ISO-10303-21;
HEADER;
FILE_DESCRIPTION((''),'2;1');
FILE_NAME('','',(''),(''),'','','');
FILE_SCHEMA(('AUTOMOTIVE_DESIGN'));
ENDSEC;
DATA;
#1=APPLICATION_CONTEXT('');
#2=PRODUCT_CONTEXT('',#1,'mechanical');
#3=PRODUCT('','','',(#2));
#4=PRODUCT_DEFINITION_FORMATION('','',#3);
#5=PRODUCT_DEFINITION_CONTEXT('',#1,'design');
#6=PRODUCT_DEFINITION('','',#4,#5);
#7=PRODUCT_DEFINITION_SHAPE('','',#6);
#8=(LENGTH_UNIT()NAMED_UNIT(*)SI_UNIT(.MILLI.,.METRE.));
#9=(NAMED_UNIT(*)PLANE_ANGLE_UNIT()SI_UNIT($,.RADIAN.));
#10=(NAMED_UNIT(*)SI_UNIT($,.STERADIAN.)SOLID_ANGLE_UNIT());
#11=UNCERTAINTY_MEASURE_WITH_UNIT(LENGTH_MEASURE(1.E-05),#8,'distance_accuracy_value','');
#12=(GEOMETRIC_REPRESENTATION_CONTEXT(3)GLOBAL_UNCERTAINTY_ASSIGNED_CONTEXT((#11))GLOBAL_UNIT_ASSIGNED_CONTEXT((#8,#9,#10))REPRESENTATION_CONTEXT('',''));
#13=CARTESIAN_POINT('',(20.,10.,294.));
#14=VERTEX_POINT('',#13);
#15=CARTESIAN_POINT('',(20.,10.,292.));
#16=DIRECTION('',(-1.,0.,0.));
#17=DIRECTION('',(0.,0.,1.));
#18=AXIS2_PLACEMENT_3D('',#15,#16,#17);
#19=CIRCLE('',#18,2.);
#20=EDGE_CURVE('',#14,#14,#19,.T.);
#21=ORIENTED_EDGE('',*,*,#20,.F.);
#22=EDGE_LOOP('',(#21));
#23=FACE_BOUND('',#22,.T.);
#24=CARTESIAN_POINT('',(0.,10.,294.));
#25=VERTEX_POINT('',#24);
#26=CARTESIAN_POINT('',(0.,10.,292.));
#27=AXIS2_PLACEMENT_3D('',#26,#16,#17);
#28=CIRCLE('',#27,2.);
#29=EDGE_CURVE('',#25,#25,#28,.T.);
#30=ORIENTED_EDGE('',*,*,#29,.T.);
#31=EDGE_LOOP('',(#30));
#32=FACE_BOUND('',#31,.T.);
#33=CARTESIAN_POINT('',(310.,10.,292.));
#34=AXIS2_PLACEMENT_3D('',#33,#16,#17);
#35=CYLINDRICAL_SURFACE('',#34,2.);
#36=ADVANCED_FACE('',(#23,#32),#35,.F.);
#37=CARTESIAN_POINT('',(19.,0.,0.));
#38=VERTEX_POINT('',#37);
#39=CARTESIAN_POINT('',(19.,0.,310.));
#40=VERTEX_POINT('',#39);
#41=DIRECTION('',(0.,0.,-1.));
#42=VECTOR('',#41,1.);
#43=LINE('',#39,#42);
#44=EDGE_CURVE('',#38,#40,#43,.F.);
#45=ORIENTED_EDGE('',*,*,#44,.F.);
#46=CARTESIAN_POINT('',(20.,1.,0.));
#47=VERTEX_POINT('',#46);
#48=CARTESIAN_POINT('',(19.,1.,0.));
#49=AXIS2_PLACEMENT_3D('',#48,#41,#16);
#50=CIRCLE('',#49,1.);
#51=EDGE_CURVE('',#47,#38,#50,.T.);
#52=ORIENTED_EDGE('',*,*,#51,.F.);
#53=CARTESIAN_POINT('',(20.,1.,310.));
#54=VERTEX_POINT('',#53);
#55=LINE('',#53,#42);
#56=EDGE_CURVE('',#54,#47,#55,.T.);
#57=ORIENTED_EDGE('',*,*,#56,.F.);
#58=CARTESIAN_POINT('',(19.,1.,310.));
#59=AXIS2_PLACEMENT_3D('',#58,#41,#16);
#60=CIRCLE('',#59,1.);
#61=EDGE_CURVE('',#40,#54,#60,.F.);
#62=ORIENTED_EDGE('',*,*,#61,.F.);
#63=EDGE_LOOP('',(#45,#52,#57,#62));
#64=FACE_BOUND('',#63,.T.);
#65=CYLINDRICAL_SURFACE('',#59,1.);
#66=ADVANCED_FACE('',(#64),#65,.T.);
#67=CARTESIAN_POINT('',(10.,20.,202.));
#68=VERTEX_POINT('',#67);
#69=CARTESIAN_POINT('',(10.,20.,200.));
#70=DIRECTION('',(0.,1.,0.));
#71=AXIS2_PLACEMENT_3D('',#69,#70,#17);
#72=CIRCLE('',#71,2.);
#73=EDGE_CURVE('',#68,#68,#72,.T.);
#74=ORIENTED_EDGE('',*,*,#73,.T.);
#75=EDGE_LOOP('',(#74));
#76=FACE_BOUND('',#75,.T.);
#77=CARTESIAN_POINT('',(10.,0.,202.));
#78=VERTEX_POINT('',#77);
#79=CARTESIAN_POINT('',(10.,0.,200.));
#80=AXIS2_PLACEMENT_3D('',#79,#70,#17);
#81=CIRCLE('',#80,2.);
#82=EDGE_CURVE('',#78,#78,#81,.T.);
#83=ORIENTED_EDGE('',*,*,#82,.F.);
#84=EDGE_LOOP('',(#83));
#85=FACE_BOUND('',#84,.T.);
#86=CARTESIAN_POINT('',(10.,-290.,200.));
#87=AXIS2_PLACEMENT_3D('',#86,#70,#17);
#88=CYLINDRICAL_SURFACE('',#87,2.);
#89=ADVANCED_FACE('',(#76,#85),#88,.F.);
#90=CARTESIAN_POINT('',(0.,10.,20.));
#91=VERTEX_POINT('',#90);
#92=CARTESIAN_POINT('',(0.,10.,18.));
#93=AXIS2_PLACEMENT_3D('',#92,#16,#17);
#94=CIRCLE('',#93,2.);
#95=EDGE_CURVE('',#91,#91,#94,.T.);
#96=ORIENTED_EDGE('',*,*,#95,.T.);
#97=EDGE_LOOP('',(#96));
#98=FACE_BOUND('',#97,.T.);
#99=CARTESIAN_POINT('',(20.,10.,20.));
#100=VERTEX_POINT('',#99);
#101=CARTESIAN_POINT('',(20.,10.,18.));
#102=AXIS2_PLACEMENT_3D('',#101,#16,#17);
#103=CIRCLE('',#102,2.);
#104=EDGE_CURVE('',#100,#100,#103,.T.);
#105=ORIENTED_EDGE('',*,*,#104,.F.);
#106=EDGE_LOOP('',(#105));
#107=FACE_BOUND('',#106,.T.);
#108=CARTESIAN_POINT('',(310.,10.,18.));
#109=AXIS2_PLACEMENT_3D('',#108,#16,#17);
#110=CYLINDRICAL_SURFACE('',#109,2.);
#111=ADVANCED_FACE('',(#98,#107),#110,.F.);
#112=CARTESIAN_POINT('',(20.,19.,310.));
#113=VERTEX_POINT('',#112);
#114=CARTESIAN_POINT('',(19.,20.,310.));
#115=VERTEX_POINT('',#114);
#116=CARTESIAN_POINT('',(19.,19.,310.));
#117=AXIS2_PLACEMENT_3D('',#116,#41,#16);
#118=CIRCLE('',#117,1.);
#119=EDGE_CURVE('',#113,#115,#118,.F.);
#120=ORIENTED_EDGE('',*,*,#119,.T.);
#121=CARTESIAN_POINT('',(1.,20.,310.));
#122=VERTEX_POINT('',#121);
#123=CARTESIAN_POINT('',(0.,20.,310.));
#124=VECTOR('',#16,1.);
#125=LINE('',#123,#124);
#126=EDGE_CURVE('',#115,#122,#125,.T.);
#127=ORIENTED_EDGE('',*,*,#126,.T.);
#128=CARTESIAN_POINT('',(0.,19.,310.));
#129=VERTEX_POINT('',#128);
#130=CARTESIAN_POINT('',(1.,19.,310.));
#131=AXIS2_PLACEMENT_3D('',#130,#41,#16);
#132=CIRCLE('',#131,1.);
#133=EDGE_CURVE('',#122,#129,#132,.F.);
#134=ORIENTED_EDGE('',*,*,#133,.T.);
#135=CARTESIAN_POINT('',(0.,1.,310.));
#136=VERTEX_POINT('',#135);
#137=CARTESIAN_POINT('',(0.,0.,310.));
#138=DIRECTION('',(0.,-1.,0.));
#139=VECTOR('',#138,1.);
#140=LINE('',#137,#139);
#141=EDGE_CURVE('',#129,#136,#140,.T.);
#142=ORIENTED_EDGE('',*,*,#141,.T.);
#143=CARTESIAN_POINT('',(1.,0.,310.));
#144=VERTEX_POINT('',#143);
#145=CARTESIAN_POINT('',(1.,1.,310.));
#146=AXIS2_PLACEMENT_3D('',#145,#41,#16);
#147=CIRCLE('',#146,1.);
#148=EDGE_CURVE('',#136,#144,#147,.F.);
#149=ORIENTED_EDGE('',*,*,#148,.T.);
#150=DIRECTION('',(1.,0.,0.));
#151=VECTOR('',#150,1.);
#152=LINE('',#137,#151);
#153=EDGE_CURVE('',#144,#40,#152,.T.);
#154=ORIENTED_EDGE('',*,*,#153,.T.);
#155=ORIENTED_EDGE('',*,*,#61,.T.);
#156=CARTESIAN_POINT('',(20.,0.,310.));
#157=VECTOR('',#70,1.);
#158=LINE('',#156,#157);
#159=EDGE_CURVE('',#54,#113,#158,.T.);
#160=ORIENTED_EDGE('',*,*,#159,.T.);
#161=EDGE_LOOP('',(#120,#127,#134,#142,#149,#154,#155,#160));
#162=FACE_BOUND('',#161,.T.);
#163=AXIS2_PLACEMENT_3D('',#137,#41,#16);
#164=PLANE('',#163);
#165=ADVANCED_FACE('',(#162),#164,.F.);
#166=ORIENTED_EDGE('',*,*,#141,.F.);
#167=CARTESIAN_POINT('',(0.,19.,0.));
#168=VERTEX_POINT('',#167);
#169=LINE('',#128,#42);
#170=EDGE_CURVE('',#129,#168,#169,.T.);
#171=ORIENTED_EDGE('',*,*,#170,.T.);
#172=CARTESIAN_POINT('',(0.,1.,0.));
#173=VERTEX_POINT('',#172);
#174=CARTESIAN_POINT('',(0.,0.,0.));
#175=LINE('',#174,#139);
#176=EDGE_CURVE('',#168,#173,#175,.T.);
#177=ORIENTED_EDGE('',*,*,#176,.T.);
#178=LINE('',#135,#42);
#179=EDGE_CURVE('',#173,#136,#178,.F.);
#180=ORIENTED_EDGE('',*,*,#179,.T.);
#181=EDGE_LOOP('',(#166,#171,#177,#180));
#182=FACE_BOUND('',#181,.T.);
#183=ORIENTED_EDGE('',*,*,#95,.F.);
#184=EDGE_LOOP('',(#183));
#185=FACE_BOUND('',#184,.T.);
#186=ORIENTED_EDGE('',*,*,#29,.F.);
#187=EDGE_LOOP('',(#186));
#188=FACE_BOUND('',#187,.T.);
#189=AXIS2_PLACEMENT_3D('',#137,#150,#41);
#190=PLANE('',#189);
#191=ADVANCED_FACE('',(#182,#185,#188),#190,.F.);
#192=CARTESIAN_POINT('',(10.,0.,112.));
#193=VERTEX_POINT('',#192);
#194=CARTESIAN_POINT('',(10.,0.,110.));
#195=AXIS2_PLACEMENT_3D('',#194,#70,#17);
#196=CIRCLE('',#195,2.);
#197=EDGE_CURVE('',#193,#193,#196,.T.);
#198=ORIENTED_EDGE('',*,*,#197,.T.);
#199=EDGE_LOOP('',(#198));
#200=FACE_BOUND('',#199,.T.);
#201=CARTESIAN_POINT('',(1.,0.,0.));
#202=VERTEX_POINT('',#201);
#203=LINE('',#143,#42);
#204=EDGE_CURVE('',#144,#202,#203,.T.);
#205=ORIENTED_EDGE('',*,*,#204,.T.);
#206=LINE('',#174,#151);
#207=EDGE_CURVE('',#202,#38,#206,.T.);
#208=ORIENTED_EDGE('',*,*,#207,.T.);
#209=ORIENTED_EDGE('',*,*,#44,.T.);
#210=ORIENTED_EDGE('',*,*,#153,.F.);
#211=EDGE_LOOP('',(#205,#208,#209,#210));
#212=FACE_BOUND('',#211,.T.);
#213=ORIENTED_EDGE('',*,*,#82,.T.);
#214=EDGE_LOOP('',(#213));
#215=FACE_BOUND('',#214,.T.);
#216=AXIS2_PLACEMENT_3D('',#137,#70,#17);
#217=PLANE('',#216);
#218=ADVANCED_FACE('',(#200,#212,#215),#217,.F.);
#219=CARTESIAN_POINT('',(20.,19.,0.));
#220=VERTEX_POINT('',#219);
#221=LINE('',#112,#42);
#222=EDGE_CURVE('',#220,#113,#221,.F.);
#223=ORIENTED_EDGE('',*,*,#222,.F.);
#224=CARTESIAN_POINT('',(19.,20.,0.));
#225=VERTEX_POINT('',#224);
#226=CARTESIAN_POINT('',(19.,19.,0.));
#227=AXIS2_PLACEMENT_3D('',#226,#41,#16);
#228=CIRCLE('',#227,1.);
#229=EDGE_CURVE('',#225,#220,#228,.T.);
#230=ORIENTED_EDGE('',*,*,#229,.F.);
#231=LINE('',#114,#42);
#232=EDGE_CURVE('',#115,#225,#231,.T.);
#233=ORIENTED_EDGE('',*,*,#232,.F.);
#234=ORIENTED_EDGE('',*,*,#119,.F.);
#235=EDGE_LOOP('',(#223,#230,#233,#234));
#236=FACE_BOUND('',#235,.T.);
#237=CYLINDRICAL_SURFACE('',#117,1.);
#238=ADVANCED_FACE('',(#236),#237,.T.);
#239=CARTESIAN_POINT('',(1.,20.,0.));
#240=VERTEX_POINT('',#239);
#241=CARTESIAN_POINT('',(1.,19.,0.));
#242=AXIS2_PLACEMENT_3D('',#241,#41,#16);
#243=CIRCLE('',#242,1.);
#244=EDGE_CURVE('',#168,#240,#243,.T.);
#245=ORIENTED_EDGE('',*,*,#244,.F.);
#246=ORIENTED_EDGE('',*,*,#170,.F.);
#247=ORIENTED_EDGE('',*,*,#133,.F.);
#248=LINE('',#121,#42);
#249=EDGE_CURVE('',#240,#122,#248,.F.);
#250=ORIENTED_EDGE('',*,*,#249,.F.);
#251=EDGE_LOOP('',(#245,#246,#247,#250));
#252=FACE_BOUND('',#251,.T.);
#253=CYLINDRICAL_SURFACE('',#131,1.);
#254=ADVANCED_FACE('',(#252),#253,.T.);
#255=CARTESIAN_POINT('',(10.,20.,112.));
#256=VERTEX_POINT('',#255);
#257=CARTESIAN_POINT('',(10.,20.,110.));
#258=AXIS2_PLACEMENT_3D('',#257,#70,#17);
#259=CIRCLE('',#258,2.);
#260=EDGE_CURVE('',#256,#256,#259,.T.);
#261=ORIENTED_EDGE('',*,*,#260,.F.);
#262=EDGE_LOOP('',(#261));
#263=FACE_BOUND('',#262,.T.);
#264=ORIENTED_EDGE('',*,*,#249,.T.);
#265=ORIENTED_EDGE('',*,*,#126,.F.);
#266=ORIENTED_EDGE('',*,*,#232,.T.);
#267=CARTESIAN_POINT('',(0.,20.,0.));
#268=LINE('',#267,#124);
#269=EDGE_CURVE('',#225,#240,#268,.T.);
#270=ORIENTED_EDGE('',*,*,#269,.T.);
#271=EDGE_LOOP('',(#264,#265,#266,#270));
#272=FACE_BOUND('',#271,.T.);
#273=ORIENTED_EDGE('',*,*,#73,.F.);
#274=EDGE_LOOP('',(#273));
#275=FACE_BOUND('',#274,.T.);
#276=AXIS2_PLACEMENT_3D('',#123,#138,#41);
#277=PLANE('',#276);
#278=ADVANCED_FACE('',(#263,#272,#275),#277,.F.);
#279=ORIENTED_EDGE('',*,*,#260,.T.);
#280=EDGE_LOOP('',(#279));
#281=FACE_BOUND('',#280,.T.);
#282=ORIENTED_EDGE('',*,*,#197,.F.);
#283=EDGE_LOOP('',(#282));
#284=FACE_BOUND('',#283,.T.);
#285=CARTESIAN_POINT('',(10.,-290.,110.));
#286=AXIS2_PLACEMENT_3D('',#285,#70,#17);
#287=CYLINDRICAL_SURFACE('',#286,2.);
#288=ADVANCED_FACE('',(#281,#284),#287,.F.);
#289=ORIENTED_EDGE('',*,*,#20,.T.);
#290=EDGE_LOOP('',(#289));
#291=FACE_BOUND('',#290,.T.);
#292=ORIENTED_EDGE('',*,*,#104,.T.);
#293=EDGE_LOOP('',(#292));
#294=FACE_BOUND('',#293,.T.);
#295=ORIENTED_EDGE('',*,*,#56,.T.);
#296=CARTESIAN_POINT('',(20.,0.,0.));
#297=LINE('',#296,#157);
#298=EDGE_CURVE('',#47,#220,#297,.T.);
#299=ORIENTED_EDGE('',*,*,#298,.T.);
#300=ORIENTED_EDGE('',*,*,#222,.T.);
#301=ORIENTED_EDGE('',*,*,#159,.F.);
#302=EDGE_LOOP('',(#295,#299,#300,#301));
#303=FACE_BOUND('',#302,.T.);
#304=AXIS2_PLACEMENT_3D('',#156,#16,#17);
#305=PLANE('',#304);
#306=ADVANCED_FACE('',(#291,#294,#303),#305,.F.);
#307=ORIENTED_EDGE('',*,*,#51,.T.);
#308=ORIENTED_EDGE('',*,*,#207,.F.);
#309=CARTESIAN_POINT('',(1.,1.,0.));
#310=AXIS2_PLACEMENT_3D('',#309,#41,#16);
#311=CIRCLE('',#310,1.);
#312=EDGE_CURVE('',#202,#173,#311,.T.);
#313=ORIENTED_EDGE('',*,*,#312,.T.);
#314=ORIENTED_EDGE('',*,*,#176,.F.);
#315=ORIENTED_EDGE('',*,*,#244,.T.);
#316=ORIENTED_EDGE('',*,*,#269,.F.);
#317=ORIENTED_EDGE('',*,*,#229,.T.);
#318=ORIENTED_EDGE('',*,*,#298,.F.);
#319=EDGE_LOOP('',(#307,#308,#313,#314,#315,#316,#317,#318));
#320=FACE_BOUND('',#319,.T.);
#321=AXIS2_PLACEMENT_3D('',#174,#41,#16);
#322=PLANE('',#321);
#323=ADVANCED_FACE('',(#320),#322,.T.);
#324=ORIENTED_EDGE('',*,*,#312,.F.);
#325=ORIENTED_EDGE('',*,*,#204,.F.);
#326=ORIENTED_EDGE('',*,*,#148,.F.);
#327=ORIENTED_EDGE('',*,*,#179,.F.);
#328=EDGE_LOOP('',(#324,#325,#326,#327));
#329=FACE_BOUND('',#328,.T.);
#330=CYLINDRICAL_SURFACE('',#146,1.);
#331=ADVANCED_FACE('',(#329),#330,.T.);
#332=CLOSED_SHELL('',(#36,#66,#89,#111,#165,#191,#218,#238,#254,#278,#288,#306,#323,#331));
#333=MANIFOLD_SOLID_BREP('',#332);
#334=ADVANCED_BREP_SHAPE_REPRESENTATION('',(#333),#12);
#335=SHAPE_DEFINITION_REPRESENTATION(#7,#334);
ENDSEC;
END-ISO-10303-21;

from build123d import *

# Parameters (mm, degrees)
SKETCH_1_W          = 20
SKETCH_1_H          = 20
EXTRUDE_1_DEPTH     = 310
FILLET_1_R          = 1
SKETCH_2_R          = 2
CUT_EXTRUDE_1_DEPTH = 310
SKETCH_3_R          = 2
CUT_EXTRUDE_2_DEPTH = 310


with BuildPart() as part:
    # 草图1 → 凸台-拉伸1 (new body)
    with BuildSketch(Plane.XY):
        with Locations((10, 10)):
            Rectangle(SKETCH_1_W, SKETCH_1_H)
    extrude(amount=EXTRUDE_1_DEPTH)

    # 圆角1
    fillet_1_edges = [part.edges().sort_by_distance(p)[0] for p in [
        (0, 20, 155),
        (20, 20, 155),
        (20, 0, 155),
        (0, 0, 155),
    ]]
    fillet(fillet_1_edges, radius=FILLET_1_R)

    # 草图2 → 切除-拉伸1 (cut)
    with BuildSketch(Plane(origin=(0, 20, 0), x_dir=(1, 0, 0), z_dir=(0, 1, 0))):
        with Locations(Location((10, -110, 0), (0, 0, 270))):
            Circle(SKETCH_2_R)
        with Locations(Location((10, -200, 0), (0, 0, 270))):
            Circle(SKETCH_2_R)
    extrude(amount=-CUT_EXTRUDE_1_DEPTH, mode=Mode.SUBTRACT)

    # 草图3 → 切除-拉伸2 (cut)
    with BuildSketch(Plane.ZY):
        with Locations((18, 10)):
            Circle(SKETCH_3_R)
        with Locations((292, 10)):
            Circle(SKETCH_3_R)
    extrude(amount=-CUT_EXTRUDE_2_DEPTH, mode=Mode.SUBTRACT)


solid = part.part
